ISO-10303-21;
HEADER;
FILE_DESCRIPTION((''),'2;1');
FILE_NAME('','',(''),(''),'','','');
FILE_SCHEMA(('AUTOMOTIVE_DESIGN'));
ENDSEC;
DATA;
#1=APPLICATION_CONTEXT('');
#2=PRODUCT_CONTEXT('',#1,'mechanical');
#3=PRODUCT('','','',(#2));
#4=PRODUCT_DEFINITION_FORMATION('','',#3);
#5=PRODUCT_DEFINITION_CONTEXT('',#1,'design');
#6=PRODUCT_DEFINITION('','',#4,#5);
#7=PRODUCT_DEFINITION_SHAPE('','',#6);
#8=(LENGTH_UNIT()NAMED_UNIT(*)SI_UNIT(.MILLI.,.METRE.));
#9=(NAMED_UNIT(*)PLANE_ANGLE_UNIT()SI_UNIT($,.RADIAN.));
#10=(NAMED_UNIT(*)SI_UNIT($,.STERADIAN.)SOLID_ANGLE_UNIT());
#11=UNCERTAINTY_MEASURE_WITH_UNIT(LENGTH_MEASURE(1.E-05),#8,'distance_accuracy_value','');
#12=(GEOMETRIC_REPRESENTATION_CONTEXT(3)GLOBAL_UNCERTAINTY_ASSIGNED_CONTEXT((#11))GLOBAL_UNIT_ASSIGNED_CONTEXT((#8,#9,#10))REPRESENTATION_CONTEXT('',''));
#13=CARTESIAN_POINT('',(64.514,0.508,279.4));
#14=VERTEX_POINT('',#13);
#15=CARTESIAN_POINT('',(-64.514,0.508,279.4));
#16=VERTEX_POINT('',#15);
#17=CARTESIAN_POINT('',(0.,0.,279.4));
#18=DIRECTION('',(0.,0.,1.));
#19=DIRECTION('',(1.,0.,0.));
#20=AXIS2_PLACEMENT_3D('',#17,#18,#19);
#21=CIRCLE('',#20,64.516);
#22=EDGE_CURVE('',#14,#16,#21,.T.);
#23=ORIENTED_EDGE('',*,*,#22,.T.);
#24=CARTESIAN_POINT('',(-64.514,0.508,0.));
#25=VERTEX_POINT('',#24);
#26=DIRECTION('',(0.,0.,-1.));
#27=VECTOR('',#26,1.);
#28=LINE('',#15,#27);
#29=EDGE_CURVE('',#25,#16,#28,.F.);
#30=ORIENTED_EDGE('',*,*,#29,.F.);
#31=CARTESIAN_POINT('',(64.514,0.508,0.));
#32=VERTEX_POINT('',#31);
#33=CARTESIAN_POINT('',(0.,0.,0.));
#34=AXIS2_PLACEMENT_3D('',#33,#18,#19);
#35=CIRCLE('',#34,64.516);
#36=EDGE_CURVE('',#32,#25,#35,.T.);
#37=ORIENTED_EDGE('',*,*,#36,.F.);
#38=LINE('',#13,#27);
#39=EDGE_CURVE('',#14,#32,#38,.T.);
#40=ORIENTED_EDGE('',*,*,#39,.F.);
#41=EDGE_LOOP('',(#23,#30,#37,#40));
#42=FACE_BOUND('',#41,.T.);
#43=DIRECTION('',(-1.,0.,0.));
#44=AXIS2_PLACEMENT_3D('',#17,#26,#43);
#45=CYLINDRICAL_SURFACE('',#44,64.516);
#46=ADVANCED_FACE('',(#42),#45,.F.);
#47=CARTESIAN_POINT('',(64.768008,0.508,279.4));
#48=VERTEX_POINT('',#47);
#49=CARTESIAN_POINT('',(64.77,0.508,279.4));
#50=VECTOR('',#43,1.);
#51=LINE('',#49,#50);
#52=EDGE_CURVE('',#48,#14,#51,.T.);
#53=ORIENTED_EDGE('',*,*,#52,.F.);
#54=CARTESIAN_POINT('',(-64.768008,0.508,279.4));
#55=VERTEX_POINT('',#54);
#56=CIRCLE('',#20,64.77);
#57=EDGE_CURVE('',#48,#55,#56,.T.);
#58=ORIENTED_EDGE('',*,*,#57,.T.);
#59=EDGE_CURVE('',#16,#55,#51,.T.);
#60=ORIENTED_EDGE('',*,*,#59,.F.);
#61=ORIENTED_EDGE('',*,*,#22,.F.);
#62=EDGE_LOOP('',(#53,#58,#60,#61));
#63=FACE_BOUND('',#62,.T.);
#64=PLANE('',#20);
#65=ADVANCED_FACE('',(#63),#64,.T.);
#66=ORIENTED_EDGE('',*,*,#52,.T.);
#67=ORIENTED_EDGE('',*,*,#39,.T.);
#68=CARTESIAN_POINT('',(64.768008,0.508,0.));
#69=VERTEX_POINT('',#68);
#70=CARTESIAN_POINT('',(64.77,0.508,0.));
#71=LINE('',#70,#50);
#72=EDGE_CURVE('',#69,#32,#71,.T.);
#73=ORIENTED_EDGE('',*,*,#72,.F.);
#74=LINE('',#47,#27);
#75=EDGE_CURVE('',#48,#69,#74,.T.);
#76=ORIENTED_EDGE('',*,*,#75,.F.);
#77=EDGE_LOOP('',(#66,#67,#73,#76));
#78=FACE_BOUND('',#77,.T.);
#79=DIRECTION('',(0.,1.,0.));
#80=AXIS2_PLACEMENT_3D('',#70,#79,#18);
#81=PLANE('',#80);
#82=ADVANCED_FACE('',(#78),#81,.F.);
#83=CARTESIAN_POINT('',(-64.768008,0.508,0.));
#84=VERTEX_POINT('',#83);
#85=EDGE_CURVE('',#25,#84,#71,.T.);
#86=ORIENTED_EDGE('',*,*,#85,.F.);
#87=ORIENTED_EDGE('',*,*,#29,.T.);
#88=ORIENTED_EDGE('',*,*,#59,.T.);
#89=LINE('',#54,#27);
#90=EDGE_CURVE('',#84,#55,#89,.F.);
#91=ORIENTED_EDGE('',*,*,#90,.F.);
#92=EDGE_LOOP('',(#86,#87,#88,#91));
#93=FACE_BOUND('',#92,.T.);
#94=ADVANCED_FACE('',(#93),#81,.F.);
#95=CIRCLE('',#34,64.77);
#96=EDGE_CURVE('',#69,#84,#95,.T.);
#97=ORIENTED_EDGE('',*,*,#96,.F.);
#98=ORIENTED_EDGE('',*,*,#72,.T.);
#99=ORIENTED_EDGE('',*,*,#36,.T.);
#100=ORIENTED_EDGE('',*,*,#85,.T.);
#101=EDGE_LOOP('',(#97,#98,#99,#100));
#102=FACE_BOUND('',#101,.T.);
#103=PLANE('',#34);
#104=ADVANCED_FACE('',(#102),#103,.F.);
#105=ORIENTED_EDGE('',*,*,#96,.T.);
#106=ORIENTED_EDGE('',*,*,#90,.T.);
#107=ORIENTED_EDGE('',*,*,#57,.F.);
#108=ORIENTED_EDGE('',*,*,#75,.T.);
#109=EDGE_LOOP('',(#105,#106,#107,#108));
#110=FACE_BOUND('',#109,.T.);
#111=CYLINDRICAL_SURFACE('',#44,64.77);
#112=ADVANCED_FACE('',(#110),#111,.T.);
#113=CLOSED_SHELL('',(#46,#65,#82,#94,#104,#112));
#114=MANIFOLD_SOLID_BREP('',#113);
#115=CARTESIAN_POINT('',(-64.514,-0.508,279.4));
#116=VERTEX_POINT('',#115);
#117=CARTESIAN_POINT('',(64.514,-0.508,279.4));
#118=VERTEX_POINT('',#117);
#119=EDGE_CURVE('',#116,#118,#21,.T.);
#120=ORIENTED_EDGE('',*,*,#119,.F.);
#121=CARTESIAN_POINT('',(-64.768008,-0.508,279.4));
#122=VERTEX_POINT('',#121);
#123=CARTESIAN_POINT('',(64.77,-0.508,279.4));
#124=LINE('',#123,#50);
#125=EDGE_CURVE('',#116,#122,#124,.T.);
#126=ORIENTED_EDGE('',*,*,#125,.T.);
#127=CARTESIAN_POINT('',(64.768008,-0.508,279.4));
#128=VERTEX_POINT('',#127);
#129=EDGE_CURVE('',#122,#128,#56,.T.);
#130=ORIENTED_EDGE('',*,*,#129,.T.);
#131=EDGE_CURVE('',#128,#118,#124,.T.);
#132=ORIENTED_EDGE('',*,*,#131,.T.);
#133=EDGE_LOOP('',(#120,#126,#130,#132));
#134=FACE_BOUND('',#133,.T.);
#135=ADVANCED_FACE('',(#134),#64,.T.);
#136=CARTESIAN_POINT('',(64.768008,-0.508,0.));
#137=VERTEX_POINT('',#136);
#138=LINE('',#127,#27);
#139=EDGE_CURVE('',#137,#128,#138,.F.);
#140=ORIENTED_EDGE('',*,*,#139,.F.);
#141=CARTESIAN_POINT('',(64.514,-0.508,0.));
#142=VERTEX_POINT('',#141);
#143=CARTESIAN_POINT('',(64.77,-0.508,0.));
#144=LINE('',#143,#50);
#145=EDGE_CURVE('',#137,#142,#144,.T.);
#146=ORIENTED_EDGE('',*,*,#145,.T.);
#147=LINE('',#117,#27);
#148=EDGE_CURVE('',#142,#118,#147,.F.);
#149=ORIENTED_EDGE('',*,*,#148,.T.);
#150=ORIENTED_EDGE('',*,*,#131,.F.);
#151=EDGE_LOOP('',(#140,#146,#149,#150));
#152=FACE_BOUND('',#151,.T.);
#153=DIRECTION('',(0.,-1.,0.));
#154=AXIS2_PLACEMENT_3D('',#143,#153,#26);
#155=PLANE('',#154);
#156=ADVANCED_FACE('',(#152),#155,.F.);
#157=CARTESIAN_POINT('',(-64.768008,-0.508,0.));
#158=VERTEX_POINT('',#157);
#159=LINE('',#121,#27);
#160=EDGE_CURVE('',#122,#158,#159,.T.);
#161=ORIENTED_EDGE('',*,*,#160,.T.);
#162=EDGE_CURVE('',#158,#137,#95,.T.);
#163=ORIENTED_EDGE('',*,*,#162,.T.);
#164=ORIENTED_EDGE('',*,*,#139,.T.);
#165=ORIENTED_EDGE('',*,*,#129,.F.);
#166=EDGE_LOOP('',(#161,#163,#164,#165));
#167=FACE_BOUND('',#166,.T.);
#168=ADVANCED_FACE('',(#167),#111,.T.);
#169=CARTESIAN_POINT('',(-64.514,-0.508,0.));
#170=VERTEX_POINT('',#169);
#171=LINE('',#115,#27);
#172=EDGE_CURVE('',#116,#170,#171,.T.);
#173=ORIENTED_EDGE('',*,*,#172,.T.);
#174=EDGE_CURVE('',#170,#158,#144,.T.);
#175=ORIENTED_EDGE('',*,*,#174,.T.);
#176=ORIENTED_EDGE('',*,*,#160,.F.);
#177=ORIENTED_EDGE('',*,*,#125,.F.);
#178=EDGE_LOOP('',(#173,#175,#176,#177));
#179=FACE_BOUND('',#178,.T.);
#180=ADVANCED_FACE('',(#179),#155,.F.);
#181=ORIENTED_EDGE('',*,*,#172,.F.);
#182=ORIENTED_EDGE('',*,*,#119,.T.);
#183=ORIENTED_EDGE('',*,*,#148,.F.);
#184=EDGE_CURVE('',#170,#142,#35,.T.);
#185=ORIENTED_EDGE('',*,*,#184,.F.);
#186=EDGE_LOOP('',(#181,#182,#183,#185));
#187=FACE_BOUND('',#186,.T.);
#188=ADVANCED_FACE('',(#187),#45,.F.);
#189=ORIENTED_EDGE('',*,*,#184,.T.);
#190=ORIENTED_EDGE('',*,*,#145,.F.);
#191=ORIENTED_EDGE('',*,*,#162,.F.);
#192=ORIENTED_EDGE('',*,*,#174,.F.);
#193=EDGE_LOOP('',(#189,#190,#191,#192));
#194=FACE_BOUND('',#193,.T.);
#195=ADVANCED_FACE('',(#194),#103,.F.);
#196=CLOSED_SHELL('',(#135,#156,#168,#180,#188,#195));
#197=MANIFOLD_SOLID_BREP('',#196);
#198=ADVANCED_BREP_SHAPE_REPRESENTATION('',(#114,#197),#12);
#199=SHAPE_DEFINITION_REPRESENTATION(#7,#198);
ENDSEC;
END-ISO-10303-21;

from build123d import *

# Parameters (mm, degrees)
SKETCH2_R               = 64.77
SKETCH2_R_2             = 64.516
BOSS_EXTRUDE1_DEPTH     = 279.4
CUT_EXTRUDE1_DEPTH      = 315.706410008
CUT_EXTRUDE1_DEPTH_BACK = 315.706410008
SKETCH5_W               = 279.4
SKETCH5_H               = 1.016


with BuildPart() as part:
    # Sketch2 → Boss-Extrude1 (new body)
    with BuildSketch(Plane.XY):
        Circle(SKETCH2_R)
        Circle(SKETCH2_R_2, mode=Mode.SUBTRACT)
    extrude(amount=BOSS_EXTRUDE1_DEPTH)

    # Sketch5 → Cut-Extrude1 (cut, two sides: drawn at the far end of the back side and taken through both)
    with BuildSketch(Plane.ZY.offset(64.77).offset(-CUT_EXTRUDE1_DEPTH_BACK)):
        with Locations((139.7, 0)):
            Rectangle(SKETCH5_W, SKETCH5_H)
    extrude(amount=CUT_EXTRUDE1_DEPTH + CUT_EXTRUDE1_DEPTH_BACK, mode=Mode.SUBTRACT)


with BuildPart() as cut_extrude1_piece_1:
    # of the separate pieces the step leaves, piece 1, a body of its own (cut_extrude1_pieces)
    add(part.part.solids().sort_by_distance((-64.768007812, -0.508, 0))[0])


with BuildPart() as cut_extrude1_piece_2:
    # of the separate pieces the step leaves, piece 2, a body of its own (cut_extrude1_pieces)
    add(part.part.solids().sort_by_distance((64.768007812, 0.508, 0))[0])


solid = Compound([cut_extrude1_piece_1.part, cut_extrude1_piece_2.part])
